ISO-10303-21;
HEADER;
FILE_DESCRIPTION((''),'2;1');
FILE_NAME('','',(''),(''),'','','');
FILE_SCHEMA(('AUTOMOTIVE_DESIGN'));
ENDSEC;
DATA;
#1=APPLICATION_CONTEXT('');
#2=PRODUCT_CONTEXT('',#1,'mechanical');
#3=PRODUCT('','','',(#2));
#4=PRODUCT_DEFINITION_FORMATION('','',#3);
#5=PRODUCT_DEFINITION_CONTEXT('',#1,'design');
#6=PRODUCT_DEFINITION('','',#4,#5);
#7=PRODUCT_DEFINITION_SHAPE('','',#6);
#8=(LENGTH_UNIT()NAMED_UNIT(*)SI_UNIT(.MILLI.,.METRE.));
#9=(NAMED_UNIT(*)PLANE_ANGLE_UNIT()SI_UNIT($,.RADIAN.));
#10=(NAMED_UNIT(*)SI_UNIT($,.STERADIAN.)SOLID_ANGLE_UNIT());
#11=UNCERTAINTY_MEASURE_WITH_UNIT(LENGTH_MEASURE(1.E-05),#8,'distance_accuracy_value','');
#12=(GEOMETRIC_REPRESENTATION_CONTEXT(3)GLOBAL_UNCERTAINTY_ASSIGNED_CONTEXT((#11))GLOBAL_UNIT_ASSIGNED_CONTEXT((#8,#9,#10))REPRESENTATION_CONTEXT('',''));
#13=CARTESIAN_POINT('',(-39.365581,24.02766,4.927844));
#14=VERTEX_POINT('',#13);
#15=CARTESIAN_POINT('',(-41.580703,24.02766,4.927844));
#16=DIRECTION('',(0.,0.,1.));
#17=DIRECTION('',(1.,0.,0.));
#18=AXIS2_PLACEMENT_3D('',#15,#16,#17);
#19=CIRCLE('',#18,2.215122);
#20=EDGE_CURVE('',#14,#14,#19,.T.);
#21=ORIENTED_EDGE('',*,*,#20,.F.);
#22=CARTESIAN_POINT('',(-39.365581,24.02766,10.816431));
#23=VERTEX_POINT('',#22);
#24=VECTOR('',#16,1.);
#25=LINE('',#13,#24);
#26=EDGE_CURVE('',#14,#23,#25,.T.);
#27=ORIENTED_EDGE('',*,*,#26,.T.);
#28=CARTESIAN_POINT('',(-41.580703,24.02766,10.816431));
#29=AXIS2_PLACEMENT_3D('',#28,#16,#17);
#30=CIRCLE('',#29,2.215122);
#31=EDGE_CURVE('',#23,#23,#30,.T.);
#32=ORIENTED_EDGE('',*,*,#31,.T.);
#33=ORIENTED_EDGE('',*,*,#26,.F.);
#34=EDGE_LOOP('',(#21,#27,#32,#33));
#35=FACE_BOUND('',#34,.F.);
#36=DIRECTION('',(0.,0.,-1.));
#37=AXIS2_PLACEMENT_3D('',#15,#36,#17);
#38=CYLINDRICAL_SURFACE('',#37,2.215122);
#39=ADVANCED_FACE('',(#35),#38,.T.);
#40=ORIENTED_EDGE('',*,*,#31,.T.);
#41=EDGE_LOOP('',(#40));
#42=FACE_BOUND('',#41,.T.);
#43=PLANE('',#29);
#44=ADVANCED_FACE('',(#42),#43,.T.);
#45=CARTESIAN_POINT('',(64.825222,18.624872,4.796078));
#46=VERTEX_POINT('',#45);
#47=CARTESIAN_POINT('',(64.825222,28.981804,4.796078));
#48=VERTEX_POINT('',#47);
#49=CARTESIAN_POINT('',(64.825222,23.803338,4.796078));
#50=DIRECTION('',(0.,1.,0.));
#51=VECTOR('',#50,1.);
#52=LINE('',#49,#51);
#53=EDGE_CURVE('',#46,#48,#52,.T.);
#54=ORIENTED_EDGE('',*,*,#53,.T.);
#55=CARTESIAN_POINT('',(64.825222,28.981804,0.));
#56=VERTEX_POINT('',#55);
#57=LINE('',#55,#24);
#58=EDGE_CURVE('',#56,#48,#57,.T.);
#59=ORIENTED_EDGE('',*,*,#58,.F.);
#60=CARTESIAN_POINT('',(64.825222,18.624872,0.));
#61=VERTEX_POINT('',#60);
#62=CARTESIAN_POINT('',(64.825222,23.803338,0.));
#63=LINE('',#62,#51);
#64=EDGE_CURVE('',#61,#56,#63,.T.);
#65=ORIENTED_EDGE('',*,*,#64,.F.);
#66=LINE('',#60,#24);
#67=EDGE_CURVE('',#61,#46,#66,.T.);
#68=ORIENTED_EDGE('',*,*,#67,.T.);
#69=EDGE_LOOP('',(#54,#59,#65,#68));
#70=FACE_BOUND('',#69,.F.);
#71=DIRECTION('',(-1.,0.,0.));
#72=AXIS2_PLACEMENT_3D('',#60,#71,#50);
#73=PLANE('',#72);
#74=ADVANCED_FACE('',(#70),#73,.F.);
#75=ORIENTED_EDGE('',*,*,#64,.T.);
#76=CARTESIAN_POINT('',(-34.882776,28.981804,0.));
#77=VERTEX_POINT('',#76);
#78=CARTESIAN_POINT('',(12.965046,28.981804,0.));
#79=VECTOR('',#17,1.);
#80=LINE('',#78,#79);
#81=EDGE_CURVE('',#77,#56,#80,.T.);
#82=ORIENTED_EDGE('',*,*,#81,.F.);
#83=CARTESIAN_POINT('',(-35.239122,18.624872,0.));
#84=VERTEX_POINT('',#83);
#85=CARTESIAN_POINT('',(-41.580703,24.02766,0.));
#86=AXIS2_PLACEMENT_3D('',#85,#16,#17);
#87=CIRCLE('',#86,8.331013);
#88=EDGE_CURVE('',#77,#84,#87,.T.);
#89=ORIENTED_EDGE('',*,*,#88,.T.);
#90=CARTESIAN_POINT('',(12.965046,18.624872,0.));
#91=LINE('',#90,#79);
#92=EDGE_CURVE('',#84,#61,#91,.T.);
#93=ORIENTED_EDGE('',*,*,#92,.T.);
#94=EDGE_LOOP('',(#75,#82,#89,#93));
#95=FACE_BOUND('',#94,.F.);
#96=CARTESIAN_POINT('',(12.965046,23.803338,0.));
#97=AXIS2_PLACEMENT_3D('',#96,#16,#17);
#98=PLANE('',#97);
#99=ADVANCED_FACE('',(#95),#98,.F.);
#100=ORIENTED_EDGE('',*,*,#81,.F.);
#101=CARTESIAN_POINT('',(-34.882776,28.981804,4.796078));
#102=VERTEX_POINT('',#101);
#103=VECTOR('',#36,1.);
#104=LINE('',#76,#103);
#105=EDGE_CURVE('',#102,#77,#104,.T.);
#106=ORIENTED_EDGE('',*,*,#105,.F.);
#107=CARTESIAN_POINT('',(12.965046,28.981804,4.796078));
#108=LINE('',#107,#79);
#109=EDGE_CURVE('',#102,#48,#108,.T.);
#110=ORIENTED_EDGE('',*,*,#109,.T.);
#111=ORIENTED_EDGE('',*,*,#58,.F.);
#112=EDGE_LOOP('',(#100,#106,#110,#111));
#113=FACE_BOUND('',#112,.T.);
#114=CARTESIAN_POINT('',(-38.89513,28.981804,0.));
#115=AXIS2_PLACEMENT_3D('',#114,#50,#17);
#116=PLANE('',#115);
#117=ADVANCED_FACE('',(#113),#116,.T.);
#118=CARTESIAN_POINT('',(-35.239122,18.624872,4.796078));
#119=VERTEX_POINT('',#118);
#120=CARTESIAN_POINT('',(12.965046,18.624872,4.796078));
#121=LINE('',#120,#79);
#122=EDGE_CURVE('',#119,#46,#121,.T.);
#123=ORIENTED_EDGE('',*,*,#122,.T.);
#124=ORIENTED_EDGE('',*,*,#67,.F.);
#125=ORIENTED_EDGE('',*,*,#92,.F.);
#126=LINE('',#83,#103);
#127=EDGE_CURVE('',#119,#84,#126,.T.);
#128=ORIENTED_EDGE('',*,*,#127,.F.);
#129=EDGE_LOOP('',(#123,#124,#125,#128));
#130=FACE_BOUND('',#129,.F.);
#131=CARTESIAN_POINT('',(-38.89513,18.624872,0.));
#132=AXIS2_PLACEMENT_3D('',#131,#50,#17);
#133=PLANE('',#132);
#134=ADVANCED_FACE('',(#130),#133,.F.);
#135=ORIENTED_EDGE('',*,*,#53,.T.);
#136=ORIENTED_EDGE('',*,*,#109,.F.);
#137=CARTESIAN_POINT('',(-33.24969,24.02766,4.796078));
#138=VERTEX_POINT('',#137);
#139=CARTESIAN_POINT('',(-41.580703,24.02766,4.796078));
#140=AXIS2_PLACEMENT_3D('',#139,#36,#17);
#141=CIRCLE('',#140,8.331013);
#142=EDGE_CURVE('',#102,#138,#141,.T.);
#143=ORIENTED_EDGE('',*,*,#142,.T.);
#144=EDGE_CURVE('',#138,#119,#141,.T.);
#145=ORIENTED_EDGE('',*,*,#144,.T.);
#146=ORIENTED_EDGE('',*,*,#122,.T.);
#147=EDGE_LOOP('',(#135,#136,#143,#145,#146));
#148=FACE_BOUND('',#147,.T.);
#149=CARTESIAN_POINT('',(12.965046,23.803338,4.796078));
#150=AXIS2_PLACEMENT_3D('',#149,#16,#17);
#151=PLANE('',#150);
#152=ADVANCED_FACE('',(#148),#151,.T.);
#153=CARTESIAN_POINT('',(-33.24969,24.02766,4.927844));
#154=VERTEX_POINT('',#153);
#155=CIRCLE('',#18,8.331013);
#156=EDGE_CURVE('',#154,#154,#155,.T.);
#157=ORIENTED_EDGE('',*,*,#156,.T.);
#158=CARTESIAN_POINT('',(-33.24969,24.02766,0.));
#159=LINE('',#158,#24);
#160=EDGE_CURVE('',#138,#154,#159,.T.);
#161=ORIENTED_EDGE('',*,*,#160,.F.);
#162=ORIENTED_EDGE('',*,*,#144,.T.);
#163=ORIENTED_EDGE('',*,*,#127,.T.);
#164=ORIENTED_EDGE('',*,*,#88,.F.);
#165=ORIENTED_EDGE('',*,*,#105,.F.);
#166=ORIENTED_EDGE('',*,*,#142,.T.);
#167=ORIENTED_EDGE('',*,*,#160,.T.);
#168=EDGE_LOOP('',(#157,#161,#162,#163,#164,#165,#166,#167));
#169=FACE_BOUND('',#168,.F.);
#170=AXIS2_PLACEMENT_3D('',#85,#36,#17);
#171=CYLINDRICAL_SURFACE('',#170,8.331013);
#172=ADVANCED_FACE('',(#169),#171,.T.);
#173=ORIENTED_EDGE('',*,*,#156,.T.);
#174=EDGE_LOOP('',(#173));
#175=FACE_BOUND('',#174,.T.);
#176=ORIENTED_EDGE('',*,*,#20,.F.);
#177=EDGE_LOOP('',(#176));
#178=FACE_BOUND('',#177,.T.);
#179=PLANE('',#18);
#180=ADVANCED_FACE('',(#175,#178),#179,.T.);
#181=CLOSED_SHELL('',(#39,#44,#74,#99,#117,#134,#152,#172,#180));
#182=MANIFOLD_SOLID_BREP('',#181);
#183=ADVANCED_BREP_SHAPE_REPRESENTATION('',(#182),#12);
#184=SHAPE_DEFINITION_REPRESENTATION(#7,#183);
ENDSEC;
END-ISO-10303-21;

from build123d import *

# Parameters (mm, degrees)
F0_W     = 103.720352
F0_H     = 10.356933
F1_DEPTH = 4.796078
F2_R     = 8.331013
F3_DEPTH = 4.927844
F4_R     = 2.215122
F5_DEPTH = 5.888587


with BuildPart() as f1:
    # F0 (on Top) → F1 (new body)
    with BuildSketch(Plane.XY):
        with Locations((12.965046, 23.803338)):
            Rectangle(F0_W, F0_H)
    extrude(amount=F1_DEPTH)

    # F2 (on Top) → F3 (join)
    with BuildSketch(Plane.XY):
        with Locations((-41.580703, 24.02766)):
            Circle(F2_R)
    extrude(amount=F3_DEPTH)

    # F4 (on face) → F5 (join)
    with BuildSketch(Plane.XY.offset(4.927844)):
        with Locations((-41.580703, 24.02766)):
            Circle(F4_R)
    extrude(amount=F5_DEPTH)


solid = f1.part
